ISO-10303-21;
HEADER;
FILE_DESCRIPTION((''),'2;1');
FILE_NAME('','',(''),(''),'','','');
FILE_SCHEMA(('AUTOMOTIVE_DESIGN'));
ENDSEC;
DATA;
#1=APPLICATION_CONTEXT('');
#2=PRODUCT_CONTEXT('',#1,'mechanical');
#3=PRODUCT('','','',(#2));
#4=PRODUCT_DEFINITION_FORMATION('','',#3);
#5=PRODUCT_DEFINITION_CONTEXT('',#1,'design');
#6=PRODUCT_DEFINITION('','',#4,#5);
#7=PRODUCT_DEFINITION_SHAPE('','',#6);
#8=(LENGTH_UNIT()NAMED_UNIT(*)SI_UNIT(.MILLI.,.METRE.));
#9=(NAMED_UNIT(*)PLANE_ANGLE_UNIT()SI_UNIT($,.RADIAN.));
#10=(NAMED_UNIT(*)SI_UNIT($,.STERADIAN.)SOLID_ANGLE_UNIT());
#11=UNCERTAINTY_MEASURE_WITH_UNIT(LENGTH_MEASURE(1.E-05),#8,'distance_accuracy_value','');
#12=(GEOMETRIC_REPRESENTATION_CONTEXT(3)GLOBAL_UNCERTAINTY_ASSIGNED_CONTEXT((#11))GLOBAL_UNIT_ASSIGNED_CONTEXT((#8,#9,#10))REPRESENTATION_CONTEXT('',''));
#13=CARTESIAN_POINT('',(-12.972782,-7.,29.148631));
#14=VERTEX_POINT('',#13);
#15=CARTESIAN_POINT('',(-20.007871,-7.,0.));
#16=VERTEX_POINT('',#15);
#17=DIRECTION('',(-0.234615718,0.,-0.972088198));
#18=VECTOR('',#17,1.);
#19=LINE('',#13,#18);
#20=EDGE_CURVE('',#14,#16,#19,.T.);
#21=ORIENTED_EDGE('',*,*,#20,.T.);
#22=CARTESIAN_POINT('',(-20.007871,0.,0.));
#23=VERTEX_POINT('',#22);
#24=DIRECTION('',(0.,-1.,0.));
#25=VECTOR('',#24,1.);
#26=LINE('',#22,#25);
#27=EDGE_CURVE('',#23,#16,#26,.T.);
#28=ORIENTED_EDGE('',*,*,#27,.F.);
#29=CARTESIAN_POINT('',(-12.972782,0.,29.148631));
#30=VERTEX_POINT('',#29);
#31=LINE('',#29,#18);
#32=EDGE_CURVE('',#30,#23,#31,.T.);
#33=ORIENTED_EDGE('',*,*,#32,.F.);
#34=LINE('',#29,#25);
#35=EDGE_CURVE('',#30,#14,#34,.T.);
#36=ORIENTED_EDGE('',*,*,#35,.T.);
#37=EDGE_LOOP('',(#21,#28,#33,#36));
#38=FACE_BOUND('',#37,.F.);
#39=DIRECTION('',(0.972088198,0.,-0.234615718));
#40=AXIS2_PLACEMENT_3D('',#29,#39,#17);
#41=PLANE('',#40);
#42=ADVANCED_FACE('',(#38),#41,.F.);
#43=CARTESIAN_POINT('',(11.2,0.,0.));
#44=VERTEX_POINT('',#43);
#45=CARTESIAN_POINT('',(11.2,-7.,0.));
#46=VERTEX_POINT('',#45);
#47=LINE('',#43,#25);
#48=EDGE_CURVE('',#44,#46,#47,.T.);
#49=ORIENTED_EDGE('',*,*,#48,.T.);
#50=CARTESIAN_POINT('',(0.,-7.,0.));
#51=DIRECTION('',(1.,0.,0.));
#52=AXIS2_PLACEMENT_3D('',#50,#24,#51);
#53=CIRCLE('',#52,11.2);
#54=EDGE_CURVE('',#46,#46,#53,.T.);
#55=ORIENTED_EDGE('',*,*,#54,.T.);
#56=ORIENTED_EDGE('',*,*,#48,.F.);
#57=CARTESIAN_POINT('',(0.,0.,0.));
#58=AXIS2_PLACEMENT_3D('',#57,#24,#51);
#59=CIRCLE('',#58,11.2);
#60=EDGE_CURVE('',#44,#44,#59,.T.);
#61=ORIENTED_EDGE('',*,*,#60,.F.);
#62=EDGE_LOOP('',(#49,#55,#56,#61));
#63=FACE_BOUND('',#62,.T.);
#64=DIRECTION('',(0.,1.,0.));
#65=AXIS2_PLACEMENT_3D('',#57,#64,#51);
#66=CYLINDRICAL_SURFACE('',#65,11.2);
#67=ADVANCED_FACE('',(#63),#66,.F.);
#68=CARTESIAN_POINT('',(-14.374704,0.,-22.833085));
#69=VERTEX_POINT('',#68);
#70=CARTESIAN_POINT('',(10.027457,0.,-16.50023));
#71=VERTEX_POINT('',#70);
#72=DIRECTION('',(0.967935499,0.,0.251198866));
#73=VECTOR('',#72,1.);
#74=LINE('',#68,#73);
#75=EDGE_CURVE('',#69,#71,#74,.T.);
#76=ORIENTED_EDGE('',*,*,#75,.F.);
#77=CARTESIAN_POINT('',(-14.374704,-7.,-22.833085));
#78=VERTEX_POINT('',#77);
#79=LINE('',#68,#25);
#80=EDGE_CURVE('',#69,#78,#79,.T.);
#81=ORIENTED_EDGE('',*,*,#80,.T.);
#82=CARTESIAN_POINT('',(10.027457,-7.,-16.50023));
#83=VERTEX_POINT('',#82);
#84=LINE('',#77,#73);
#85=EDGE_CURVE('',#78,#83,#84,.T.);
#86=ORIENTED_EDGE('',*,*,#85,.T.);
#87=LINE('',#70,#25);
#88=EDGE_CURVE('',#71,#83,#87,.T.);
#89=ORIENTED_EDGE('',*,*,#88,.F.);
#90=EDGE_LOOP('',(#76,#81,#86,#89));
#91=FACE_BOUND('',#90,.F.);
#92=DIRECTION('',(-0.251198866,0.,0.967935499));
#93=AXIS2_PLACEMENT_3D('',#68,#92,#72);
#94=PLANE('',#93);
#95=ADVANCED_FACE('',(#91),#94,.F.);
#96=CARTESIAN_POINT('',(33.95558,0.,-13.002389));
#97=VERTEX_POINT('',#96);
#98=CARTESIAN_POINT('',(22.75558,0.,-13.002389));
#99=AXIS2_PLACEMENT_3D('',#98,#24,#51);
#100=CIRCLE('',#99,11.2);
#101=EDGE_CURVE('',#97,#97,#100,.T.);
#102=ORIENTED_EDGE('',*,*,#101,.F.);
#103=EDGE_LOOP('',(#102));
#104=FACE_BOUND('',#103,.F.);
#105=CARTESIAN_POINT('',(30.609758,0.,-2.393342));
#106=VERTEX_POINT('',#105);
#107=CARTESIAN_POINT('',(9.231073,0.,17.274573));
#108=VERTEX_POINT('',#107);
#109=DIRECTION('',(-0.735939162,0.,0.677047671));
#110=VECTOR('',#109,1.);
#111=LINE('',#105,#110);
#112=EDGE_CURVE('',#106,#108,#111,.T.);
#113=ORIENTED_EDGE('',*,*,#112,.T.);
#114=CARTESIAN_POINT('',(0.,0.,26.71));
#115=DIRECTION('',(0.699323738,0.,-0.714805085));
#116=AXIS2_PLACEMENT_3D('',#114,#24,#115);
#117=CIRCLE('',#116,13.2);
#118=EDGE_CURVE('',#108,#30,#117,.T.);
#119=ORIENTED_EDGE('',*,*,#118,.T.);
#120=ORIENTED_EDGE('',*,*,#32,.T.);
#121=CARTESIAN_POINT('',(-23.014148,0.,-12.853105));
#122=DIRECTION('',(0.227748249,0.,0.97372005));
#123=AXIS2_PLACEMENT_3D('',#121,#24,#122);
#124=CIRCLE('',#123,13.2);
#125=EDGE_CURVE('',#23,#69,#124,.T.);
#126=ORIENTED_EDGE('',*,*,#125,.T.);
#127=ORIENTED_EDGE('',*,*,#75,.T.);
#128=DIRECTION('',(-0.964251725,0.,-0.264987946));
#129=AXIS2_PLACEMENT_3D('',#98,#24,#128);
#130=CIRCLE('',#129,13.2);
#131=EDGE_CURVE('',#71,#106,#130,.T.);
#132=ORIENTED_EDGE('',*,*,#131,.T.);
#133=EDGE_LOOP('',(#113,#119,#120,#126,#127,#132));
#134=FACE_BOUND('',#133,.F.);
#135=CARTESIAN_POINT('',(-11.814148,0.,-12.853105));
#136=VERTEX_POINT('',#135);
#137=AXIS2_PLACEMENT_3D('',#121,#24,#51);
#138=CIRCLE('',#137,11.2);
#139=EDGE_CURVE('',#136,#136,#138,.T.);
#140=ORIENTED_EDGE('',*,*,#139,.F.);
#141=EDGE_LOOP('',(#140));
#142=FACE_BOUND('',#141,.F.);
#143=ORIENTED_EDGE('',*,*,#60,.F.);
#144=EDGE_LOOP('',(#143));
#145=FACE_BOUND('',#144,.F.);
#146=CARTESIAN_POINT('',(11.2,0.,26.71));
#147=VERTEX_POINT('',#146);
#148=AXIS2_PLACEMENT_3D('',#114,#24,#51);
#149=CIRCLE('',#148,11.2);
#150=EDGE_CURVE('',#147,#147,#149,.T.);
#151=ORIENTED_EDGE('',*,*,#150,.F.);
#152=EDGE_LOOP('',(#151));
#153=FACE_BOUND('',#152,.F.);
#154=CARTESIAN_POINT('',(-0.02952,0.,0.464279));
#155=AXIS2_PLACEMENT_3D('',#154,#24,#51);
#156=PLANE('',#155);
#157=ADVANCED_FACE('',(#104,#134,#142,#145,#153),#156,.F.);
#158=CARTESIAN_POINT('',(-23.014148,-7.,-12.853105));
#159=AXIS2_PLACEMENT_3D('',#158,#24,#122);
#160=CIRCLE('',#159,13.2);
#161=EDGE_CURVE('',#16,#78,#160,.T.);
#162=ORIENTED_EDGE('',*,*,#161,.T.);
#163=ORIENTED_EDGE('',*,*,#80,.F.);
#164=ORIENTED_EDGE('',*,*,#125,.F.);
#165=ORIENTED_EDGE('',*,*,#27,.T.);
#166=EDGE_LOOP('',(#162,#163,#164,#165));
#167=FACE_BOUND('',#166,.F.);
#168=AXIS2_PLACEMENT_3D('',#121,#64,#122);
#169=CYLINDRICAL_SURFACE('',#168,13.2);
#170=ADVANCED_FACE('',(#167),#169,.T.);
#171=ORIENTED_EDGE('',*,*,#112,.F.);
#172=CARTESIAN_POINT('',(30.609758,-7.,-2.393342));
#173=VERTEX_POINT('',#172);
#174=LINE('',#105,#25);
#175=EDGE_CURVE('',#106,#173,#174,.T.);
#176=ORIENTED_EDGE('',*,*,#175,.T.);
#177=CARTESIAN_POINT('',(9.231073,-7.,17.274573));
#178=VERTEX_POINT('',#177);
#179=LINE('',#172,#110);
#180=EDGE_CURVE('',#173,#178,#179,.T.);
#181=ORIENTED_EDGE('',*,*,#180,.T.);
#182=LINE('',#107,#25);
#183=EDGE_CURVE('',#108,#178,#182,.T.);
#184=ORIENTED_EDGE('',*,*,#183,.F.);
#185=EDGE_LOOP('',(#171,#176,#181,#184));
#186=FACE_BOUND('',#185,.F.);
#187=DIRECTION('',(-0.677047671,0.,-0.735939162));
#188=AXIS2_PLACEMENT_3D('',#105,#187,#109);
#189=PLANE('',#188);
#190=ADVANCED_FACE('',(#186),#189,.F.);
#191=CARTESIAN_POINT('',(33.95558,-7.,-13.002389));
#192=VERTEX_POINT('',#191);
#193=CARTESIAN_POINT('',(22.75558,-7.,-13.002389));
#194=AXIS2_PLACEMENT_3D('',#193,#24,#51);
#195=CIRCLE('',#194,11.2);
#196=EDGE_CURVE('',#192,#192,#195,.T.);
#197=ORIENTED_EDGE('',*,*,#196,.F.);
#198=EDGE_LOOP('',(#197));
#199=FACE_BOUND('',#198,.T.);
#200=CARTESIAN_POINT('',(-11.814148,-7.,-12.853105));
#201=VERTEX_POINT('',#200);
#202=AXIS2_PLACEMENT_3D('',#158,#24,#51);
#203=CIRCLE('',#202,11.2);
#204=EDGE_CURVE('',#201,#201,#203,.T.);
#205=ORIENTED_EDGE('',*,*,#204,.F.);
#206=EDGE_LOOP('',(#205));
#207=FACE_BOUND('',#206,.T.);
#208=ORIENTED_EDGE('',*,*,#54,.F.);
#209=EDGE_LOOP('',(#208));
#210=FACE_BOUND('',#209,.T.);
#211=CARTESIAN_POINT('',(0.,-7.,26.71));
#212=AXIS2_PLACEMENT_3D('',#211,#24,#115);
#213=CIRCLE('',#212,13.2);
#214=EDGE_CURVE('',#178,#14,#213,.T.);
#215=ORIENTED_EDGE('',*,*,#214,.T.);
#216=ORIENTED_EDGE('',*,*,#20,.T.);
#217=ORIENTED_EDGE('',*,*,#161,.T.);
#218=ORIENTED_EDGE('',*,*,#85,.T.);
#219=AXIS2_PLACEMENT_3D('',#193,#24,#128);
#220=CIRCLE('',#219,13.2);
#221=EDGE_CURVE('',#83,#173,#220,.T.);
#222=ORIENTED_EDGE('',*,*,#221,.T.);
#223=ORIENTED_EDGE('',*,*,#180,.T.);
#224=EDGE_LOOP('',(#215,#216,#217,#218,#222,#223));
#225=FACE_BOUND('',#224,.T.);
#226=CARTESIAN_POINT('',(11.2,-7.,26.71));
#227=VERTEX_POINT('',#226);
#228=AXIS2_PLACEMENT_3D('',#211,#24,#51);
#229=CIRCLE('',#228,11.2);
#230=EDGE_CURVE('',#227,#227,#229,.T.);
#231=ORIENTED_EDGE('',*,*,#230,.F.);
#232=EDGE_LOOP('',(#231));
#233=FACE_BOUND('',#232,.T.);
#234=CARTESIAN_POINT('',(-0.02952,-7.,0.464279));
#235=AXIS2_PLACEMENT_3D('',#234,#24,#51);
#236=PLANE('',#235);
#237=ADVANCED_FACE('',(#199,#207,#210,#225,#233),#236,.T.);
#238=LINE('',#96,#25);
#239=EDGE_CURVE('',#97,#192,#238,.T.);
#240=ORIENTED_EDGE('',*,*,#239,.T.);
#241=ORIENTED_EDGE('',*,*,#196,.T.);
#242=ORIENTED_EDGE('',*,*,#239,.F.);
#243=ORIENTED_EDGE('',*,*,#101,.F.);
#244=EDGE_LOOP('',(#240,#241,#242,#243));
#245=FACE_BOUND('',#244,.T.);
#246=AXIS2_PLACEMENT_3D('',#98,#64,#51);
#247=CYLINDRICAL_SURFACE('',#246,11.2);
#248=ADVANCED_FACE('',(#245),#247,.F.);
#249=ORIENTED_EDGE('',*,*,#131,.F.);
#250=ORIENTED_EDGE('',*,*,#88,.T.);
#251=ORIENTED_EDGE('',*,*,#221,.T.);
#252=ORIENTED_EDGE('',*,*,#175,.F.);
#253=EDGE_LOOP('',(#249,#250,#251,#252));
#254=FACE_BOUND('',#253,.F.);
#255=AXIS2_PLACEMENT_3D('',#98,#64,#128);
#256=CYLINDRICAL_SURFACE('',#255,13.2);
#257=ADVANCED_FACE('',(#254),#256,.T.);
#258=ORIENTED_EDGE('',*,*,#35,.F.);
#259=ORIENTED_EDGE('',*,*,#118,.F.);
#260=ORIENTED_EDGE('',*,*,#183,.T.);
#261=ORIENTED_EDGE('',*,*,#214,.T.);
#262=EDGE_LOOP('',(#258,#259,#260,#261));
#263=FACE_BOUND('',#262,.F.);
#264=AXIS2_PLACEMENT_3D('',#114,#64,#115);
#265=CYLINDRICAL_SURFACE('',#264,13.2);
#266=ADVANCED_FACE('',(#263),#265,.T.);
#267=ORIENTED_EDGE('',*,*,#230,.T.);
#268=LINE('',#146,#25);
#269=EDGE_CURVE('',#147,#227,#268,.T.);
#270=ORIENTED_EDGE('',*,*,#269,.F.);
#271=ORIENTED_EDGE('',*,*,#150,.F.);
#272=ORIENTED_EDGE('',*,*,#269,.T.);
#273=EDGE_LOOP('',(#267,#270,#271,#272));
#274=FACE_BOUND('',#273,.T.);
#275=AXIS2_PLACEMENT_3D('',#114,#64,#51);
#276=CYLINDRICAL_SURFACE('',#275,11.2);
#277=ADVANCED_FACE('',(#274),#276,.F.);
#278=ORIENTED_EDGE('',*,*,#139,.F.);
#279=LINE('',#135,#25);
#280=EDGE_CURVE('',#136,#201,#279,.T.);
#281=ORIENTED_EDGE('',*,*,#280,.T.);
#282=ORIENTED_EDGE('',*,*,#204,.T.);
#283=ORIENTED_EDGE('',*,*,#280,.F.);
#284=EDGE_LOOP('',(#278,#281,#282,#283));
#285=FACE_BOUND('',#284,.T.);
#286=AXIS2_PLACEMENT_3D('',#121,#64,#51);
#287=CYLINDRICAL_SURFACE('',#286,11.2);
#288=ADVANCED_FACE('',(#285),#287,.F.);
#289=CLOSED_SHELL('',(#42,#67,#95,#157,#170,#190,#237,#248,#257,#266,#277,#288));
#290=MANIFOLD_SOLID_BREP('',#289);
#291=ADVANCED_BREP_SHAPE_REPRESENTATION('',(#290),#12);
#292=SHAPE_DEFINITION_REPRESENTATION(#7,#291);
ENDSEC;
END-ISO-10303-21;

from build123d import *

# Parameters (mm, degrees)
F0_R     = 11.2
F1_DEPTH = 7


with BuildPart() as f1:
    # F0 (on Front) → F1 (new body)
    with BuildSketch(Plane.XZ):
        with BuildLine():
            Line((30.609758, -2.393342), (9.231073, 17.274573))
            ThreePointArc((9.231073, 17.274573), (6.224822, 38.350085), (-12.972782, 29.148631))
            Line((-12.972782, 29.148631), (-20.007871, 0))
            ThreePointArc((-20.007871, 0), (-35.829886, -16.014885), (-14.374704, -22.833085))
            Line((-14.374704, -22.833085), (10.027457, -16.50023))
            ThreePointArc((10.027457, -16.50023), (30.218147, -23.89046), (30.609758, -2.393342))
        make_face()
        with Locations((-23.014148, -12.853105)):
            Circle(F0_R, mode=Mode.SUBTRACT)
        with Locations((22.75558, -13.002389)):
            Circle(F0_R, mode=Mode.SUBTRACT)
        Circle(F0_R, mode=Mode.SUBTRACT)
        with Locations((0, 26.71)):
            Circle(F0_R, mode=Mode.SUBTRACT)
    extrude(amount=F1_DEPTH)


solid = f1.part
